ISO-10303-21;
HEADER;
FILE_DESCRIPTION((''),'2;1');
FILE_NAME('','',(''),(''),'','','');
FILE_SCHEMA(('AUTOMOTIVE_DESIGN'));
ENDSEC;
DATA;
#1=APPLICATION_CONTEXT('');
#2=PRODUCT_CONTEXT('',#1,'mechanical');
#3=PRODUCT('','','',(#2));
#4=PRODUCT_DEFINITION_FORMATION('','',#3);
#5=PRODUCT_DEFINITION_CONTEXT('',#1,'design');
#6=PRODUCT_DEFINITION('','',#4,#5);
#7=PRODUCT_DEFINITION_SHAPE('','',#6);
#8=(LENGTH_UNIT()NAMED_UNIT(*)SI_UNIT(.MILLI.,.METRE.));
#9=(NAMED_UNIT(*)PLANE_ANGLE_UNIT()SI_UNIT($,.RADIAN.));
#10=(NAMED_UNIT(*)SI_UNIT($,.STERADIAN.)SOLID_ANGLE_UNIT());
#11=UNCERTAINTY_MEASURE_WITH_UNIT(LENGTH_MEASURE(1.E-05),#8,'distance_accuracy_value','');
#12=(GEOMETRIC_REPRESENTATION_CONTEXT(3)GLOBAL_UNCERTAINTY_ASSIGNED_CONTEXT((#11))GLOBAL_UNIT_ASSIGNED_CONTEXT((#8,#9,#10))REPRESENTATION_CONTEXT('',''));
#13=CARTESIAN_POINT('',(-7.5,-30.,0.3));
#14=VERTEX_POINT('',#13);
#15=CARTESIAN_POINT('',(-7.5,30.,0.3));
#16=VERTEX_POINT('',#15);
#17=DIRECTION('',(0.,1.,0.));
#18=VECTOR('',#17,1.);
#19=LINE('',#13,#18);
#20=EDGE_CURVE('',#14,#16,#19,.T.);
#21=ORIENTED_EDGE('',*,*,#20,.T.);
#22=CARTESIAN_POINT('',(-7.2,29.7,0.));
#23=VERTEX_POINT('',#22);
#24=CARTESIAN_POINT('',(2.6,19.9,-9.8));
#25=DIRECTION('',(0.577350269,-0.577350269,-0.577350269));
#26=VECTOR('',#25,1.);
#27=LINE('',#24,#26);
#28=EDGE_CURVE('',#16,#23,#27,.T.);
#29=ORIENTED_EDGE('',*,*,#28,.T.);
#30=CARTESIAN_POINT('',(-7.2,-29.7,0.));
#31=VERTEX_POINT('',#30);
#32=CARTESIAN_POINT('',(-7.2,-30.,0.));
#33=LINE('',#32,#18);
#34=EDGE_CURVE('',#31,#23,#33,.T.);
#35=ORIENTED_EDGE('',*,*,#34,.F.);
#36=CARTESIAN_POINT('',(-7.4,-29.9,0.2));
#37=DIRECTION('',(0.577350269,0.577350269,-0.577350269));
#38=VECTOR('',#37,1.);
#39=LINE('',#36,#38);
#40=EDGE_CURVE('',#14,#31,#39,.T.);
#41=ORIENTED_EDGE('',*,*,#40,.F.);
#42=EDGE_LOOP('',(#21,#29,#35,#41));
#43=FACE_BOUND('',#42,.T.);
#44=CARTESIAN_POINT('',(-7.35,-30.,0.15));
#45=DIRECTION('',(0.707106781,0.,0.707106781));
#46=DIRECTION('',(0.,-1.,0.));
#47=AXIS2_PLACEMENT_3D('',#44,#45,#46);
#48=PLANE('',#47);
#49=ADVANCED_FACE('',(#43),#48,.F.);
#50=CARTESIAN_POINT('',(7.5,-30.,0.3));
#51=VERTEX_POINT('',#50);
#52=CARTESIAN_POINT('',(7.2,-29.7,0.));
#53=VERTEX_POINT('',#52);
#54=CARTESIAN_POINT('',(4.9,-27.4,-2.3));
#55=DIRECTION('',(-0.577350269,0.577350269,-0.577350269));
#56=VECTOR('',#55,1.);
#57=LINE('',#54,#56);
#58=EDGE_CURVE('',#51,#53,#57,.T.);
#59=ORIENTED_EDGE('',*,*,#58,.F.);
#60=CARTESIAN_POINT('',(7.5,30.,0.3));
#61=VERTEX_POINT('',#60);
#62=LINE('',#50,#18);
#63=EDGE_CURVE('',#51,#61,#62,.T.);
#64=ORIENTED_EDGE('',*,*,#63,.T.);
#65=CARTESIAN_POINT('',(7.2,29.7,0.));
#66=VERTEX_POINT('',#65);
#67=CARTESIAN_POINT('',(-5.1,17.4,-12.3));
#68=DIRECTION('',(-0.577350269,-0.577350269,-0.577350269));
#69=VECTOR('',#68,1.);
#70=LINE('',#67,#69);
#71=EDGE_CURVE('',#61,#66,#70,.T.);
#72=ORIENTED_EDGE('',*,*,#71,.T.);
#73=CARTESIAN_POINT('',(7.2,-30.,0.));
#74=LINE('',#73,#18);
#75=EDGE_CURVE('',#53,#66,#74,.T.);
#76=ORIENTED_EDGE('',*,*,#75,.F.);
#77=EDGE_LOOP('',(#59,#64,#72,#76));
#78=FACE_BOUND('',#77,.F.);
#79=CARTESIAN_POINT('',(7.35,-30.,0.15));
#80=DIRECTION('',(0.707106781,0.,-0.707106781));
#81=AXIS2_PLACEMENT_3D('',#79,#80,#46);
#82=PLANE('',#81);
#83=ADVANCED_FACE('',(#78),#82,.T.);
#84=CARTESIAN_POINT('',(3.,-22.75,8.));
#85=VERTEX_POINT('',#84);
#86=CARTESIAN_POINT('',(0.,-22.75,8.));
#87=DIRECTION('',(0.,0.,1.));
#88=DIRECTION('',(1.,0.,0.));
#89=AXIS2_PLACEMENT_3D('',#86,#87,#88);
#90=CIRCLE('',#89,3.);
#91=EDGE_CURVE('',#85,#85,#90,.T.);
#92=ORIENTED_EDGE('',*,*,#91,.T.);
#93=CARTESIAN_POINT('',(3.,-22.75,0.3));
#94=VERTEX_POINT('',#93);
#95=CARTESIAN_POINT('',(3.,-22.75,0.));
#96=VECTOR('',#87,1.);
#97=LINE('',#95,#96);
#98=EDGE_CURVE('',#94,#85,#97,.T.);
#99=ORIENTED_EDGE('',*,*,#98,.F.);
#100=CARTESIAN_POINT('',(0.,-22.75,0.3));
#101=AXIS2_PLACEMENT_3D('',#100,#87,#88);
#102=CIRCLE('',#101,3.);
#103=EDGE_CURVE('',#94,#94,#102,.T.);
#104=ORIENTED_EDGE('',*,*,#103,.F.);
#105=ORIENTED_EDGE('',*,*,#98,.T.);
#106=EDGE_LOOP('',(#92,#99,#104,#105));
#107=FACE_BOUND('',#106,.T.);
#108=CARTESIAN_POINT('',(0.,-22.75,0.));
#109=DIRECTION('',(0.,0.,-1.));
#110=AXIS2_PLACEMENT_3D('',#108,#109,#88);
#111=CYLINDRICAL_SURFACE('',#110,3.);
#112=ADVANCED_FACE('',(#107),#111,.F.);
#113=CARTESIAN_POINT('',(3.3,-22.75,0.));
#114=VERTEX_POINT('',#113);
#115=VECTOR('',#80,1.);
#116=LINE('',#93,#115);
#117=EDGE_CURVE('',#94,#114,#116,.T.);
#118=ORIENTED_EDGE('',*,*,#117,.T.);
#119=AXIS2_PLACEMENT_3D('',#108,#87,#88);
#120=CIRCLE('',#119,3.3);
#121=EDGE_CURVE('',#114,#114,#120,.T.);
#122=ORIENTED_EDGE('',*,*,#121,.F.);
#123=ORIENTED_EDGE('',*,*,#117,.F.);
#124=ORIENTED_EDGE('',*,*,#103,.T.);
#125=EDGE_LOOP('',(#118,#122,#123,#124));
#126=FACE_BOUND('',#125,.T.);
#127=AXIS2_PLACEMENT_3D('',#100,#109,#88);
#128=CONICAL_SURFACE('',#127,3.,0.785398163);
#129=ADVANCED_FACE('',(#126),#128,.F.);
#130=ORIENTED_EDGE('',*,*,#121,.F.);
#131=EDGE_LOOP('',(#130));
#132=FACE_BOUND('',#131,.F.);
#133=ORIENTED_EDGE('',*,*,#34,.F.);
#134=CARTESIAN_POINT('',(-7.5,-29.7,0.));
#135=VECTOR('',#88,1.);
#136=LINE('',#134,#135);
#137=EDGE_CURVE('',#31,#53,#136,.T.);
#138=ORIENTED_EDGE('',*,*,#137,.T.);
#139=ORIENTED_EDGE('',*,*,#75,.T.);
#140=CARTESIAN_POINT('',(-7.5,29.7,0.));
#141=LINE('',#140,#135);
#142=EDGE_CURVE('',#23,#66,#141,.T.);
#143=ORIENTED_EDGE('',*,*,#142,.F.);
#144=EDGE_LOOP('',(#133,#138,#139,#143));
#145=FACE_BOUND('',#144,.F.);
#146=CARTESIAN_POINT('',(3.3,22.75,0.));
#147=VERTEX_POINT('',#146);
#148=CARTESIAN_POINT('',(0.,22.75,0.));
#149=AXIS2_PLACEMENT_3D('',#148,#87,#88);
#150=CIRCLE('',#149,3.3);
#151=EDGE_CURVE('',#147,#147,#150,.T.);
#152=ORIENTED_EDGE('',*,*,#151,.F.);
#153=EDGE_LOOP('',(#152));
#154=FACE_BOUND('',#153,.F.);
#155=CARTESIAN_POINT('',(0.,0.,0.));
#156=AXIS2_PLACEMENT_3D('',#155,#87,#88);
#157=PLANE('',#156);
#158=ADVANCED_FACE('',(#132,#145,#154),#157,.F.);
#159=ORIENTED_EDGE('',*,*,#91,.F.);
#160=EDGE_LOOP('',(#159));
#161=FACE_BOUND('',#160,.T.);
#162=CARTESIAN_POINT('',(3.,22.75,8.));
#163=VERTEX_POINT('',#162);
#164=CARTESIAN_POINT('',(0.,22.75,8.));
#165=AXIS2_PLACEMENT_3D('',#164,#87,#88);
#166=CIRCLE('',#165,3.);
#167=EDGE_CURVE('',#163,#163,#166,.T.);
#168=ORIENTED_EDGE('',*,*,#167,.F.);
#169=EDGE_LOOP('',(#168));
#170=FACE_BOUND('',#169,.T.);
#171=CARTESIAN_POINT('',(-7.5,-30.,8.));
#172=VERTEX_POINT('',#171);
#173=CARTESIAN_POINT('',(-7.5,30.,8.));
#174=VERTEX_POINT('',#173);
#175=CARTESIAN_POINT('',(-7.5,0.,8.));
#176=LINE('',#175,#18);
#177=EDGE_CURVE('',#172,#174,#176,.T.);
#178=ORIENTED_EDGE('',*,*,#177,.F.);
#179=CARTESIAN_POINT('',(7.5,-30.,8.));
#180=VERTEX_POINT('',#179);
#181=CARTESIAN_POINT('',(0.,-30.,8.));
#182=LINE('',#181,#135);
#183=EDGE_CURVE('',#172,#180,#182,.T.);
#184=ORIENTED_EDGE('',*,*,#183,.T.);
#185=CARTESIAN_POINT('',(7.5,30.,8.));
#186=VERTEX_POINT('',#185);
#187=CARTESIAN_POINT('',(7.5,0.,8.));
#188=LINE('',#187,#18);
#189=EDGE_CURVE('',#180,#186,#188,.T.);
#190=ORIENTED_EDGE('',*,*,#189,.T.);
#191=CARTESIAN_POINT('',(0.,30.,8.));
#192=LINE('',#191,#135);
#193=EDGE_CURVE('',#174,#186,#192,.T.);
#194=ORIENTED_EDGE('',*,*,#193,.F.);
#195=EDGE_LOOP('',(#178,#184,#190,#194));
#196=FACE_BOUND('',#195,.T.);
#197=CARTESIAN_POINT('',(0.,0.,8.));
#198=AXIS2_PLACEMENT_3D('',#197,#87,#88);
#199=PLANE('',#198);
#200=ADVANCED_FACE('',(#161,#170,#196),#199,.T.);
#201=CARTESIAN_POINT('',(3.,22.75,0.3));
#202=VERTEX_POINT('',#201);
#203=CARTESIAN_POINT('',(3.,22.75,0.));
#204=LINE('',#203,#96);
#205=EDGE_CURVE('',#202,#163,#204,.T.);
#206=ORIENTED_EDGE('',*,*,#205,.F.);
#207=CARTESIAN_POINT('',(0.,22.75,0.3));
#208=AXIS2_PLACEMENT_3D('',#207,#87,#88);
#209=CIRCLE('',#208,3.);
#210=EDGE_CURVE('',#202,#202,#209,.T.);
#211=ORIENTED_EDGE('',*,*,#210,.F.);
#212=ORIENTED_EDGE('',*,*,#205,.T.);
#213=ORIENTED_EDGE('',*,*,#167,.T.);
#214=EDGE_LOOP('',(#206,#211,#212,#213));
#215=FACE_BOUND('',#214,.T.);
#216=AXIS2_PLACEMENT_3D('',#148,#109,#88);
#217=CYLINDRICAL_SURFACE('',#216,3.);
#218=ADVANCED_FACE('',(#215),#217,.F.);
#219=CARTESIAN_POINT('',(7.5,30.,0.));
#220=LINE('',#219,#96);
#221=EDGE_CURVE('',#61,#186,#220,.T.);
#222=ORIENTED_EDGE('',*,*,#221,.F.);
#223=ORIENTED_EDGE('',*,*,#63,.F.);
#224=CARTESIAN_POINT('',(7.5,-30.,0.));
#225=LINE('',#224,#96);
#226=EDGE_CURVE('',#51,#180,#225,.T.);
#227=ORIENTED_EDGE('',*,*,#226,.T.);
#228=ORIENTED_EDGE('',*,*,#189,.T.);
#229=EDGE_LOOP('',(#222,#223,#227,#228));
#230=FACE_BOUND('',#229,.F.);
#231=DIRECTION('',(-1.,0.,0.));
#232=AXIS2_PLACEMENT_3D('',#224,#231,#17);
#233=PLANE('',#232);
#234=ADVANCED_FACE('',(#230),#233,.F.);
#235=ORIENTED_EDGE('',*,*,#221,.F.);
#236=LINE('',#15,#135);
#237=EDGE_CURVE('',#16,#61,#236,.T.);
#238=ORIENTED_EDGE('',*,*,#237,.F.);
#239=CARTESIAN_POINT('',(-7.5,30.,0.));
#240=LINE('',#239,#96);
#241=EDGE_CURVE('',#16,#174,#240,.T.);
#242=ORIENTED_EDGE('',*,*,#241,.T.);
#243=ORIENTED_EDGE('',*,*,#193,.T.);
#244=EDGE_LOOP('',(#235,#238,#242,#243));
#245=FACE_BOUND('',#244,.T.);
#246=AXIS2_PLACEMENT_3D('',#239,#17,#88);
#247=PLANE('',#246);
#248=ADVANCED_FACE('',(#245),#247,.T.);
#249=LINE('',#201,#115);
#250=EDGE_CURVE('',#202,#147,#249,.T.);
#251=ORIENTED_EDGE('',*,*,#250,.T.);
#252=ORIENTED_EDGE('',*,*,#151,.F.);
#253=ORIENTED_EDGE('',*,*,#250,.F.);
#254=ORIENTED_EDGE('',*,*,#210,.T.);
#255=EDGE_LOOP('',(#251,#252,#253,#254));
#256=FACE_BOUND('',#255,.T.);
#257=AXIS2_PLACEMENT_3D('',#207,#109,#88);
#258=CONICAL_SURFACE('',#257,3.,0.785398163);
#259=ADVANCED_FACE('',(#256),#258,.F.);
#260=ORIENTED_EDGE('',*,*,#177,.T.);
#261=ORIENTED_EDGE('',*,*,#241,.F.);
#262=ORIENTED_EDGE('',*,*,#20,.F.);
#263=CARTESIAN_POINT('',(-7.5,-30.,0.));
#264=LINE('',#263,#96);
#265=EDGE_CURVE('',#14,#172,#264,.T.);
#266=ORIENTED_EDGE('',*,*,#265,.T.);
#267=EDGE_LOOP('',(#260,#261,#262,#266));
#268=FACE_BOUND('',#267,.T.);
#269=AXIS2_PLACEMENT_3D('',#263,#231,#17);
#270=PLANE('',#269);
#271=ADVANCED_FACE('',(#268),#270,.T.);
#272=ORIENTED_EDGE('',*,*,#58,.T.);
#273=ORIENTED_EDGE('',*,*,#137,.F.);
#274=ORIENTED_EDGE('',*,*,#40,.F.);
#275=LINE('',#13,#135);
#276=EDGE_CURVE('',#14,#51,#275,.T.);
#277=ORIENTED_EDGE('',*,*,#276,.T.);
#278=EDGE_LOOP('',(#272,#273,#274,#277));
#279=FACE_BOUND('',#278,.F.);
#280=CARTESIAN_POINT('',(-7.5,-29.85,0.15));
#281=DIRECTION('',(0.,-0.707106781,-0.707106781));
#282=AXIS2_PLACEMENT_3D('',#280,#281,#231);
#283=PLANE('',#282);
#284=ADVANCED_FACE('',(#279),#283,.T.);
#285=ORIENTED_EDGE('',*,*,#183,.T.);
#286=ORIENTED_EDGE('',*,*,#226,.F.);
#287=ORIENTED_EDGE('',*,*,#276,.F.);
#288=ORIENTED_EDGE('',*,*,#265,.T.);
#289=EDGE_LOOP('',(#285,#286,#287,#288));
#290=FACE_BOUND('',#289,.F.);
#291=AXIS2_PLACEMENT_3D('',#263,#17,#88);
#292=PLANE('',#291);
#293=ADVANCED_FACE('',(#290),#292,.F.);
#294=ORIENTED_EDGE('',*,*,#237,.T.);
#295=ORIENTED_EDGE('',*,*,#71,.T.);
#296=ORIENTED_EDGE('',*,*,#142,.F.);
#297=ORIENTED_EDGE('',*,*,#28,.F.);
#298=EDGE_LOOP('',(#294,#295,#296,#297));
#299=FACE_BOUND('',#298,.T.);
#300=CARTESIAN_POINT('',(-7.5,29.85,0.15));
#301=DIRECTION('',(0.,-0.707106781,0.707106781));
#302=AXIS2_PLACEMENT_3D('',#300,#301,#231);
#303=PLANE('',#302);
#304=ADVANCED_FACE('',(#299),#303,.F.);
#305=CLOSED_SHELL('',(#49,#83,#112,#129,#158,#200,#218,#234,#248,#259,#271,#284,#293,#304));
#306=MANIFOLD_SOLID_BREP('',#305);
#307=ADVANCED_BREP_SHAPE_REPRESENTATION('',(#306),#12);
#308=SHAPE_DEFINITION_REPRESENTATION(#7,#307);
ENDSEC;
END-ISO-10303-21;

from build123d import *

# Parameters (mm, degrees)
F0_W     = 15
F0_H     = 60
F0_R     = 3
F1_DEPTH = 8
F2_SIZE  = 0.3


with BuildPart() as f1:
    # F0 (on Top) → F1 (new body)
    with BuildSketch(Plane.XY):
        Rectangle(F0_W, F0_H)
        with Locations((0, -22.75)):
            Circle(F0_R, mode=Mode.SUBTRACT)
        with Locations((0, 22.75)):
            Circle(F0_R, mode=Mode.SUBTRACT)
    extrude(amount=F1_DEPTH)

    # F2
    f2_edges = [f1.edges().sort_by_distance(p)[0] for p in [
        (7.5, 0, 0),
        (0, 30, 0),
        (-7.5, 0, 0),
        (0, -30, 0),
        (-3, -22.75, 0),
        (-3, 22.75, 0),
    ]]
    chamfer(f2_edges, length=F2_SIZE)


solid = f1.part
